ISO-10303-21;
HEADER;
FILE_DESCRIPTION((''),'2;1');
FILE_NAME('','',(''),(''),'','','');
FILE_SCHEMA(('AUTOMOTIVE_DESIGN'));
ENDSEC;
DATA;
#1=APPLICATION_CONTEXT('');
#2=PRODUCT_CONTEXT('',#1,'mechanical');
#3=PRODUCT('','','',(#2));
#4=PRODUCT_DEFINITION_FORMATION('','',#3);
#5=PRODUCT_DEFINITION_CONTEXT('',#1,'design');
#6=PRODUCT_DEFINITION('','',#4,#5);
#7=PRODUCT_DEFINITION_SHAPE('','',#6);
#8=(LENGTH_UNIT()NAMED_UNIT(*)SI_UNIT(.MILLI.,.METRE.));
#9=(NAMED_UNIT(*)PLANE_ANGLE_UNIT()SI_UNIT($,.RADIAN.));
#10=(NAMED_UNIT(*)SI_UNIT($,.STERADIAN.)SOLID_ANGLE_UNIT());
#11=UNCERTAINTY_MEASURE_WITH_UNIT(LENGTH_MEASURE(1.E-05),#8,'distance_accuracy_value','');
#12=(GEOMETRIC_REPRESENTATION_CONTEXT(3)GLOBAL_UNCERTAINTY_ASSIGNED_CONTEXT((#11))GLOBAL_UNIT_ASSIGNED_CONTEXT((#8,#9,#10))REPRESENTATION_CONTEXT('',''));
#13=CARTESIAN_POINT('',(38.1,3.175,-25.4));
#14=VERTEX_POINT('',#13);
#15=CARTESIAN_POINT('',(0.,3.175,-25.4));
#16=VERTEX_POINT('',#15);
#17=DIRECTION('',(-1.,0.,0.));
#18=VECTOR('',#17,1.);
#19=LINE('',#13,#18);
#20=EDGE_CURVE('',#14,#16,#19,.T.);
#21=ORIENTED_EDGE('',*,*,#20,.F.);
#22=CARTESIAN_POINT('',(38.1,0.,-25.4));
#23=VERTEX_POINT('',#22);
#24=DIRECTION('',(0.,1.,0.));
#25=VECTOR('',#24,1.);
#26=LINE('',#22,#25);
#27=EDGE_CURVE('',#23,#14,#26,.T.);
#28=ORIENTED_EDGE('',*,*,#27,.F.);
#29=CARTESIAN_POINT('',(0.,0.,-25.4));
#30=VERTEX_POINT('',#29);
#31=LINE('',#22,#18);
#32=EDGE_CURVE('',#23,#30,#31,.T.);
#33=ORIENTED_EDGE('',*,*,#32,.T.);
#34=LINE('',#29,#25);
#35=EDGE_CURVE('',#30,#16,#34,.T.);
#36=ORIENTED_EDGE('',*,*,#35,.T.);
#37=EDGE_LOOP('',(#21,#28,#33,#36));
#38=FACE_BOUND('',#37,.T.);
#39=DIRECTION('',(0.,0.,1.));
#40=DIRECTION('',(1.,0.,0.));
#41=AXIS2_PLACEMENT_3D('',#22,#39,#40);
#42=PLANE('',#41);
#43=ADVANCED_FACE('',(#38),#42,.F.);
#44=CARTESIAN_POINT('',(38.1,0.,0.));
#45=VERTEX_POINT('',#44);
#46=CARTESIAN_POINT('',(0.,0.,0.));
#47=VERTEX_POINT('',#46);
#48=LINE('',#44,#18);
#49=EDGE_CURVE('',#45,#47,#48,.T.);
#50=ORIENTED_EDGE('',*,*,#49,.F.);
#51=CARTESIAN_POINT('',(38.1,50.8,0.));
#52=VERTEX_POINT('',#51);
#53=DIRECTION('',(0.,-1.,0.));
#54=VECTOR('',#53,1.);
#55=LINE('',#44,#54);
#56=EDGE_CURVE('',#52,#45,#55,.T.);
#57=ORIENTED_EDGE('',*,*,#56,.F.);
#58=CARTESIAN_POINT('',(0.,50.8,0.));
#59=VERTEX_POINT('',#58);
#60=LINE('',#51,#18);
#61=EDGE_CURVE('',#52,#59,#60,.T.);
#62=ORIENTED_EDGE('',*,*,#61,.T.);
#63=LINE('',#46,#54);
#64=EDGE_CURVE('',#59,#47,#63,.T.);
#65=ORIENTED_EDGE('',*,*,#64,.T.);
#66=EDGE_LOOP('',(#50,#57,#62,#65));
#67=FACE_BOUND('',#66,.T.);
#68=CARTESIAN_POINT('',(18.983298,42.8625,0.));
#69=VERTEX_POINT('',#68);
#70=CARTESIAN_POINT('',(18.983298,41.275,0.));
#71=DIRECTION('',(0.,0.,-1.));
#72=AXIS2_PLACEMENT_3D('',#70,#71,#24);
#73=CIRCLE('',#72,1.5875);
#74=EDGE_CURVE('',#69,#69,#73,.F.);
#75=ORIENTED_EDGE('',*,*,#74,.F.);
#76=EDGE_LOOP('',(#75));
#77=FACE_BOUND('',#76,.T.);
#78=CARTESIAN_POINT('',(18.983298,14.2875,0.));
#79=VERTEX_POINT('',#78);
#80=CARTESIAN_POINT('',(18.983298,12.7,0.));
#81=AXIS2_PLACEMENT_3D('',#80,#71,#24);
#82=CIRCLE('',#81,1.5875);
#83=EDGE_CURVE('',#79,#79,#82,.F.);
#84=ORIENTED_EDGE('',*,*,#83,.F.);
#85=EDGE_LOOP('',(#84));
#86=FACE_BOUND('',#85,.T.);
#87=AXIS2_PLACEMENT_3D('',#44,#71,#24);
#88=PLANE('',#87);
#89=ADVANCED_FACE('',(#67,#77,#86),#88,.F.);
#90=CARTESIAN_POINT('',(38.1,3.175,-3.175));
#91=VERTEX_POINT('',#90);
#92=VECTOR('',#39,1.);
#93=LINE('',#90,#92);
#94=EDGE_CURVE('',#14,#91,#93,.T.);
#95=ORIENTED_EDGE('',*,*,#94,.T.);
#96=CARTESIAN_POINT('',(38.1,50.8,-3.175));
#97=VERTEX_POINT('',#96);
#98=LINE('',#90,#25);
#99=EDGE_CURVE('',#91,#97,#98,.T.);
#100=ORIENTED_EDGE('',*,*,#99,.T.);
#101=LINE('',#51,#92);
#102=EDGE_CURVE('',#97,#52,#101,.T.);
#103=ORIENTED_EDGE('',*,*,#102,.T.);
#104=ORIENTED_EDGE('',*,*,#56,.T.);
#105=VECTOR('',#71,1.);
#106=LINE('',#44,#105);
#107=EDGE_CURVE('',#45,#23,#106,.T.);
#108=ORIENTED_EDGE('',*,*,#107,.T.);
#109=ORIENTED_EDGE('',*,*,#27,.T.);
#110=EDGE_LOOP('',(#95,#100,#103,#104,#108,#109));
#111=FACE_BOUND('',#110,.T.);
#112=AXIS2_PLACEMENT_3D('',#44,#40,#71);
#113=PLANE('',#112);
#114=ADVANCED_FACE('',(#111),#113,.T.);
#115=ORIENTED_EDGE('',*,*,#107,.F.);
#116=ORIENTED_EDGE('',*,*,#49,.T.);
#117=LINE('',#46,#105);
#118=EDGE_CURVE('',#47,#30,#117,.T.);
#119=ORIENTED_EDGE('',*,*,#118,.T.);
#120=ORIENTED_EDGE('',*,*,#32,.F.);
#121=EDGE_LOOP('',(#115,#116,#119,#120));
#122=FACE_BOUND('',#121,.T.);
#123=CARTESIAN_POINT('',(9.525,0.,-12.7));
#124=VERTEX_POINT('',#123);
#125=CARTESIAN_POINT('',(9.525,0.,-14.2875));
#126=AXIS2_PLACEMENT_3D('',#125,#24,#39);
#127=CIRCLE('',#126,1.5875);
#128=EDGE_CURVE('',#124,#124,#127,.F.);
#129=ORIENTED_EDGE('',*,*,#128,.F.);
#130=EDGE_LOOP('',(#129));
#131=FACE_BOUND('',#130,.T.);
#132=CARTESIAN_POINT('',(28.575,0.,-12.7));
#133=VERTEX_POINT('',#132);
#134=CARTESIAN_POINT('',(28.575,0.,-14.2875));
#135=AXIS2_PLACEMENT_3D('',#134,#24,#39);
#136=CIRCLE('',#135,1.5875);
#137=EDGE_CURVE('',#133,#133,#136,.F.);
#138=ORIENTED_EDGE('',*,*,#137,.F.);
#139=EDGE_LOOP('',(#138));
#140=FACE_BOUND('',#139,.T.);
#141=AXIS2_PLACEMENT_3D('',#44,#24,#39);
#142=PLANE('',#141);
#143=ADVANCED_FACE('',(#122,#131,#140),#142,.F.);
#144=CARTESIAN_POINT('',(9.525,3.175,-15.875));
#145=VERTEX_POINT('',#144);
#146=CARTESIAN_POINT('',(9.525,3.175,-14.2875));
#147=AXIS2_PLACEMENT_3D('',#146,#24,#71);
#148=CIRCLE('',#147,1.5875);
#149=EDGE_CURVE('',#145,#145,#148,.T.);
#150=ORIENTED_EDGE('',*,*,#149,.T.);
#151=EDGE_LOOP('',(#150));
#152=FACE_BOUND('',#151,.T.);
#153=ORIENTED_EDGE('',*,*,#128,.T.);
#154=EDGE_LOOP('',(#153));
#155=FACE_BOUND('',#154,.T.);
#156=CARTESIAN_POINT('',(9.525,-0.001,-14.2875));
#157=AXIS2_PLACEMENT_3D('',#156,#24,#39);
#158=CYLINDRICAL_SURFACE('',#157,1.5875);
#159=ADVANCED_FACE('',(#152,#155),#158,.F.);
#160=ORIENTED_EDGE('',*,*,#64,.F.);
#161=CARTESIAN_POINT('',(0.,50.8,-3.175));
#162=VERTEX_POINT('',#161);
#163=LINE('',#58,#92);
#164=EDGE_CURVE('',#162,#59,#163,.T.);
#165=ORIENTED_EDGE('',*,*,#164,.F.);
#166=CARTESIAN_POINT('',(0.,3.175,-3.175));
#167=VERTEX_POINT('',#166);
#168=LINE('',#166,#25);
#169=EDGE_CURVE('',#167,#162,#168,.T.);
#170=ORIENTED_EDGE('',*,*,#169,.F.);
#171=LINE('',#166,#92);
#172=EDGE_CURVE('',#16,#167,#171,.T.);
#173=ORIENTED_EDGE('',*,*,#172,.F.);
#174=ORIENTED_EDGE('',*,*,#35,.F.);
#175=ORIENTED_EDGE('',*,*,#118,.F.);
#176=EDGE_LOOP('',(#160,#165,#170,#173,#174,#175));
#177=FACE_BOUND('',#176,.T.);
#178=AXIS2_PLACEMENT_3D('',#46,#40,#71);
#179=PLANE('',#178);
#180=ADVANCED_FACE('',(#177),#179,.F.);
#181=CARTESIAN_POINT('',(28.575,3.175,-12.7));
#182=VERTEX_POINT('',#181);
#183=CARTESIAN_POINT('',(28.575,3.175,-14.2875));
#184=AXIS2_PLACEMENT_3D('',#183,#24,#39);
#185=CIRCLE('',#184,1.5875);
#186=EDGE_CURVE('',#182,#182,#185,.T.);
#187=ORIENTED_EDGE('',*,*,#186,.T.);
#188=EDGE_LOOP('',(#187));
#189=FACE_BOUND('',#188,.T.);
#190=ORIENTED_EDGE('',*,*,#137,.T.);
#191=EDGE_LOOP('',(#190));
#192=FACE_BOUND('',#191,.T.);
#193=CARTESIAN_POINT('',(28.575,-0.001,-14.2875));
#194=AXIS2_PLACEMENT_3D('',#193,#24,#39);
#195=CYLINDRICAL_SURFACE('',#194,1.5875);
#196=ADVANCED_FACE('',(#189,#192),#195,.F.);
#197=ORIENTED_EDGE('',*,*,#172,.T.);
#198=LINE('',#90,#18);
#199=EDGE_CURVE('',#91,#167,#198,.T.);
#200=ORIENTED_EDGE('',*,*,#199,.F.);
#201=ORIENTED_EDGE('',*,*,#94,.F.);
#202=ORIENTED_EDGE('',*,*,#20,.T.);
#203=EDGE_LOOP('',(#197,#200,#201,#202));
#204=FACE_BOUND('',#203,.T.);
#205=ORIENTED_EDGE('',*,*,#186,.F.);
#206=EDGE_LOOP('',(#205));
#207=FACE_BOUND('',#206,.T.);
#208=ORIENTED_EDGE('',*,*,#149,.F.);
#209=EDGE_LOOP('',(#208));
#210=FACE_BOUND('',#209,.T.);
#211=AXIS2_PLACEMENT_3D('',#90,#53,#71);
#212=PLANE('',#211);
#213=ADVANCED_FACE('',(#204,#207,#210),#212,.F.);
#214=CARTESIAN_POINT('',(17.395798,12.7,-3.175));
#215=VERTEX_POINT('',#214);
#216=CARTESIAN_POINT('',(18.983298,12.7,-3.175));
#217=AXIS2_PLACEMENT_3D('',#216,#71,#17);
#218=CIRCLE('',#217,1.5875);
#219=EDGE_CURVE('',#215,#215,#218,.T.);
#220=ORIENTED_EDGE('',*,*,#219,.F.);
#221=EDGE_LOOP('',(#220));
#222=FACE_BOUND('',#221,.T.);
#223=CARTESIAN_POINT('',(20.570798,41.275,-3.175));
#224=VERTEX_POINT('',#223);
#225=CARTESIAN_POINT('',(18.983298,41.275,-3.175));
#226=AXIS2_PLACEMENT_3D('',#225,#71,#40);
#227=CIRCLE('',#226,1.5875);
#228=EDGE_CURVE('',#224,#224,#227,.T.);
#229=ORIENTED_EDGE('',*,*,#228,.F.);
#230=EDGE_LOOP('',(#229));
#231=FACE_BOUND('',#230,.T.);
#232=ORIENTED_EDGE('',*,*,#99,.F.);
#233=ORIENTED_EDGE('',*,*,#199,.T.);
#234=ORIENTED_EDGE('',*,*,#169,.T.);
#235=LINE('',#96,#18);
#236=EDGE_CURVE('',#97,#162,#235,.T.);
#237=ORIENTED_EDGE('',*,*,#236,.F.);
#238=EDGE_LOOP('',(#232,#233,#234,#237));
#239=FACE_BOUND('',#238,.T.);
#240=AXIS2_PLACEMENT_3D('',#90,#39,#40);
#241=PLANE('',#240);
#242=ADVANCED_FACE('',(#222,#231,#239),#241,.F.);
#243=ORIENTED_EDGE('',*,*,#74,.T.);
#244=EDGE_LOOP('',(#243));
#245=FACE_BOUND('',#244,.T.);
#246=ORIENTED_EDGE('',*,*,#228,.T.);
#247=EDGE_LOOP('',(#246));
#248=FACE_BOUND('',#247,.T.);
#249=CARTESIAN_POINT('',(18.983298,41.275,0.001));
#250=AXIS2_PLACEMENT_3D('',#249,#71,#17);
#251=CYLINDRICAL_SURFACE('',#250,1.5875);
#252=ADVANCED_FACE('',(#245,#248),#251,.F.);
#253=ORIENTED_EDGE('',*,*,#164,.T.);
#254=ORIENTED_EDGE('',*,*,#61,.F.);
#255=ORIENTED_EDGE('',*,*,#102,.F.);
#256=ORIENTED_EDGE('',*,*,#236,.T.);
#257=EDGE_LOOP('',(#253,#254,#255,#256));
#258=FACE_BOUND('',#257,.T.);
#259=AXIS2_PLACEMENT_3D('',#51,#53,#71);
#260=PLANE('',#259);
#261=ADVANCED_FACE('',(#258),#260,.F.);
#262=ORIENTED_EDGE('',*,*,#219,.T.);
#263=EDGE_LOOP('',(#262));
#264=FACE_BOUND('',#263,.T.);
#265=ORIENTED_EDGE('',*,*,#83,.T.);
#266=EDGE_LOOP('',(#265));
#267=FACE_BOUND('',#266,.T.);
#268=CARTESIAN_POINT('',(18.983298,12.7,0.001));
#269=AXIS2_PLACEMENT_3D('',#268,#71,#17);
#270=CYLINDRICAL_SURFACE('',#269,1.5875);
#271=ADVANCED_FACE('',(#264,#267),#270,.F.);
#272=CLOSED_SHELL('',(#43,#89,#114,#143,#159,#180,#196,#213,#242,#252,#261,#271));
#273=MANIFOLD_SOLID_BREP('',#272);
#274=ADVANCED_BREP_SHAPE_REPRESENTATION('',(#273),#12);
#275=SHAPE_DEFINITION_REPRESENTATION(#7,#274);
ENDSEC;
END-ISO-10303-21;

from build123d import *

# Parameters (mm, degrees)
BOSS_EXTRUDE1_DEPTH = 38.1
CUT_EXTRUDE1_REACH  = 5.175
SKETCH2_R           = 1.5875
CUT_EXTRUDE2_REACH  = 5.175
SKETCH3_R           = 1.5875


with BuildPart() as part:
    # Sketch1 → Boss-Extrude1 (new body)
    with BuildSketch(Plane(origin=(0, 0, 0), x_dir=(0, 0, -1), z_dir=(1, 0, 0))):
        Polygon((0, 0), (0, 50.8), (3.175, 50.8), (3.175, 3.175), (25.4, 3.175), (25.4, 0), align=None)
    extrude(amount=BOSS_EXTRUDE1_DEPTH)

    # Sketch2 → Cut-Extrude1 (cut, up to next)
    with BuildSketch(Plane(origin=(0, 3.175, 0), x_dir=(1, 0, 0), z_dir=(0, 1, 0)), mode=Mode.PRIVATE) as cut_extrude1_sk1:
        with Locations((28.575, 14.2875)):
            Circle(SKETCH2_R)
    cut_extrude1_tool1 = extrude(cut_extrude1_sk1.sketch, amount=-CUT_EXTRUDE1_REACH, mode=Mode.PRIVATE) & part.part
    add(cut_extrude1_tool1.solids().sort_by_distance((28.575, 3.175, -14.2875))[0], mode=Mode.SUBTRACT)
    # Sketch2 → Cut-Extrude1 (cut, up to next)
    with BuildSketch(Plane(origin=(0, 3.175, 0), x_dir=(1, 0, 0), z_dir=(0, 1, 0)), mode=Mode.PRIVATE) as cut_extrude1_sk2:
        with Locations((9.525, 14.2875)):
            Circle(SKETCH2_R)
    cut_extrude1_tool2 = extrude(cut_extrude1_sk2.sketch, amount=-CUT_EXTRUDE1_REACH, mode=Mode.PRIVATE) & part.part
    add(cut_extrude1_tool2.solids().sort_by_distance((9.525, 3.175, -14.2875))[0], mode=Mode.SUBTRACT)

    # Sketch3 → Cut-Extrude2 (cut, up to next)
    with BuildSketch(Plane(origin=(0, 0, -3.175), x_dir=(-1, 0, 0), z_dir=(0, 0, -1)), mode=Mode.PRIVATE) as cut_extrude2_sk1:
        with Locations((-18.983298196, 12.7)):
            Circle(SKETCH3_R)
    cut_extrude2_tool1 = extrude(cut_extrude2_sk1.sketch, amount=-CUT_EXTRUDE2_REACH, mode=Mode.PRIVATE) & part.part
    add(cut_extrude2_tool1.solids().sort_by_distance((18.983298, 12.7, -3.175))[0], mode=Mode.SUBTRACT)
    # Sketch3 → Cut-Extrude2 (cut, up to next)
    with BuildSketch(Plane(origin=(0, 0, -3.175), x_dir=(-1, 0, 0), z_dir=(0, 0, -1)), mode=Mode.PRIVATE) as cut_extrude2_sk2:
        with Locations((-18.983298196, 41.275)):
            Circle(SKETCH3_R)
    cut_extrude2_tool2 = extrude(cut_extrude2_sk2.sketch, amount=-CUT_EXTRUDE2_REACH, mode=Mode.PRIVATE) & part.part
    add(cut_extrude2_tool2.solids().sort_by_distance((18.983298, 41.275, -3.175))[0], mode=Mode.SUBTRACT)


solid = part.part
